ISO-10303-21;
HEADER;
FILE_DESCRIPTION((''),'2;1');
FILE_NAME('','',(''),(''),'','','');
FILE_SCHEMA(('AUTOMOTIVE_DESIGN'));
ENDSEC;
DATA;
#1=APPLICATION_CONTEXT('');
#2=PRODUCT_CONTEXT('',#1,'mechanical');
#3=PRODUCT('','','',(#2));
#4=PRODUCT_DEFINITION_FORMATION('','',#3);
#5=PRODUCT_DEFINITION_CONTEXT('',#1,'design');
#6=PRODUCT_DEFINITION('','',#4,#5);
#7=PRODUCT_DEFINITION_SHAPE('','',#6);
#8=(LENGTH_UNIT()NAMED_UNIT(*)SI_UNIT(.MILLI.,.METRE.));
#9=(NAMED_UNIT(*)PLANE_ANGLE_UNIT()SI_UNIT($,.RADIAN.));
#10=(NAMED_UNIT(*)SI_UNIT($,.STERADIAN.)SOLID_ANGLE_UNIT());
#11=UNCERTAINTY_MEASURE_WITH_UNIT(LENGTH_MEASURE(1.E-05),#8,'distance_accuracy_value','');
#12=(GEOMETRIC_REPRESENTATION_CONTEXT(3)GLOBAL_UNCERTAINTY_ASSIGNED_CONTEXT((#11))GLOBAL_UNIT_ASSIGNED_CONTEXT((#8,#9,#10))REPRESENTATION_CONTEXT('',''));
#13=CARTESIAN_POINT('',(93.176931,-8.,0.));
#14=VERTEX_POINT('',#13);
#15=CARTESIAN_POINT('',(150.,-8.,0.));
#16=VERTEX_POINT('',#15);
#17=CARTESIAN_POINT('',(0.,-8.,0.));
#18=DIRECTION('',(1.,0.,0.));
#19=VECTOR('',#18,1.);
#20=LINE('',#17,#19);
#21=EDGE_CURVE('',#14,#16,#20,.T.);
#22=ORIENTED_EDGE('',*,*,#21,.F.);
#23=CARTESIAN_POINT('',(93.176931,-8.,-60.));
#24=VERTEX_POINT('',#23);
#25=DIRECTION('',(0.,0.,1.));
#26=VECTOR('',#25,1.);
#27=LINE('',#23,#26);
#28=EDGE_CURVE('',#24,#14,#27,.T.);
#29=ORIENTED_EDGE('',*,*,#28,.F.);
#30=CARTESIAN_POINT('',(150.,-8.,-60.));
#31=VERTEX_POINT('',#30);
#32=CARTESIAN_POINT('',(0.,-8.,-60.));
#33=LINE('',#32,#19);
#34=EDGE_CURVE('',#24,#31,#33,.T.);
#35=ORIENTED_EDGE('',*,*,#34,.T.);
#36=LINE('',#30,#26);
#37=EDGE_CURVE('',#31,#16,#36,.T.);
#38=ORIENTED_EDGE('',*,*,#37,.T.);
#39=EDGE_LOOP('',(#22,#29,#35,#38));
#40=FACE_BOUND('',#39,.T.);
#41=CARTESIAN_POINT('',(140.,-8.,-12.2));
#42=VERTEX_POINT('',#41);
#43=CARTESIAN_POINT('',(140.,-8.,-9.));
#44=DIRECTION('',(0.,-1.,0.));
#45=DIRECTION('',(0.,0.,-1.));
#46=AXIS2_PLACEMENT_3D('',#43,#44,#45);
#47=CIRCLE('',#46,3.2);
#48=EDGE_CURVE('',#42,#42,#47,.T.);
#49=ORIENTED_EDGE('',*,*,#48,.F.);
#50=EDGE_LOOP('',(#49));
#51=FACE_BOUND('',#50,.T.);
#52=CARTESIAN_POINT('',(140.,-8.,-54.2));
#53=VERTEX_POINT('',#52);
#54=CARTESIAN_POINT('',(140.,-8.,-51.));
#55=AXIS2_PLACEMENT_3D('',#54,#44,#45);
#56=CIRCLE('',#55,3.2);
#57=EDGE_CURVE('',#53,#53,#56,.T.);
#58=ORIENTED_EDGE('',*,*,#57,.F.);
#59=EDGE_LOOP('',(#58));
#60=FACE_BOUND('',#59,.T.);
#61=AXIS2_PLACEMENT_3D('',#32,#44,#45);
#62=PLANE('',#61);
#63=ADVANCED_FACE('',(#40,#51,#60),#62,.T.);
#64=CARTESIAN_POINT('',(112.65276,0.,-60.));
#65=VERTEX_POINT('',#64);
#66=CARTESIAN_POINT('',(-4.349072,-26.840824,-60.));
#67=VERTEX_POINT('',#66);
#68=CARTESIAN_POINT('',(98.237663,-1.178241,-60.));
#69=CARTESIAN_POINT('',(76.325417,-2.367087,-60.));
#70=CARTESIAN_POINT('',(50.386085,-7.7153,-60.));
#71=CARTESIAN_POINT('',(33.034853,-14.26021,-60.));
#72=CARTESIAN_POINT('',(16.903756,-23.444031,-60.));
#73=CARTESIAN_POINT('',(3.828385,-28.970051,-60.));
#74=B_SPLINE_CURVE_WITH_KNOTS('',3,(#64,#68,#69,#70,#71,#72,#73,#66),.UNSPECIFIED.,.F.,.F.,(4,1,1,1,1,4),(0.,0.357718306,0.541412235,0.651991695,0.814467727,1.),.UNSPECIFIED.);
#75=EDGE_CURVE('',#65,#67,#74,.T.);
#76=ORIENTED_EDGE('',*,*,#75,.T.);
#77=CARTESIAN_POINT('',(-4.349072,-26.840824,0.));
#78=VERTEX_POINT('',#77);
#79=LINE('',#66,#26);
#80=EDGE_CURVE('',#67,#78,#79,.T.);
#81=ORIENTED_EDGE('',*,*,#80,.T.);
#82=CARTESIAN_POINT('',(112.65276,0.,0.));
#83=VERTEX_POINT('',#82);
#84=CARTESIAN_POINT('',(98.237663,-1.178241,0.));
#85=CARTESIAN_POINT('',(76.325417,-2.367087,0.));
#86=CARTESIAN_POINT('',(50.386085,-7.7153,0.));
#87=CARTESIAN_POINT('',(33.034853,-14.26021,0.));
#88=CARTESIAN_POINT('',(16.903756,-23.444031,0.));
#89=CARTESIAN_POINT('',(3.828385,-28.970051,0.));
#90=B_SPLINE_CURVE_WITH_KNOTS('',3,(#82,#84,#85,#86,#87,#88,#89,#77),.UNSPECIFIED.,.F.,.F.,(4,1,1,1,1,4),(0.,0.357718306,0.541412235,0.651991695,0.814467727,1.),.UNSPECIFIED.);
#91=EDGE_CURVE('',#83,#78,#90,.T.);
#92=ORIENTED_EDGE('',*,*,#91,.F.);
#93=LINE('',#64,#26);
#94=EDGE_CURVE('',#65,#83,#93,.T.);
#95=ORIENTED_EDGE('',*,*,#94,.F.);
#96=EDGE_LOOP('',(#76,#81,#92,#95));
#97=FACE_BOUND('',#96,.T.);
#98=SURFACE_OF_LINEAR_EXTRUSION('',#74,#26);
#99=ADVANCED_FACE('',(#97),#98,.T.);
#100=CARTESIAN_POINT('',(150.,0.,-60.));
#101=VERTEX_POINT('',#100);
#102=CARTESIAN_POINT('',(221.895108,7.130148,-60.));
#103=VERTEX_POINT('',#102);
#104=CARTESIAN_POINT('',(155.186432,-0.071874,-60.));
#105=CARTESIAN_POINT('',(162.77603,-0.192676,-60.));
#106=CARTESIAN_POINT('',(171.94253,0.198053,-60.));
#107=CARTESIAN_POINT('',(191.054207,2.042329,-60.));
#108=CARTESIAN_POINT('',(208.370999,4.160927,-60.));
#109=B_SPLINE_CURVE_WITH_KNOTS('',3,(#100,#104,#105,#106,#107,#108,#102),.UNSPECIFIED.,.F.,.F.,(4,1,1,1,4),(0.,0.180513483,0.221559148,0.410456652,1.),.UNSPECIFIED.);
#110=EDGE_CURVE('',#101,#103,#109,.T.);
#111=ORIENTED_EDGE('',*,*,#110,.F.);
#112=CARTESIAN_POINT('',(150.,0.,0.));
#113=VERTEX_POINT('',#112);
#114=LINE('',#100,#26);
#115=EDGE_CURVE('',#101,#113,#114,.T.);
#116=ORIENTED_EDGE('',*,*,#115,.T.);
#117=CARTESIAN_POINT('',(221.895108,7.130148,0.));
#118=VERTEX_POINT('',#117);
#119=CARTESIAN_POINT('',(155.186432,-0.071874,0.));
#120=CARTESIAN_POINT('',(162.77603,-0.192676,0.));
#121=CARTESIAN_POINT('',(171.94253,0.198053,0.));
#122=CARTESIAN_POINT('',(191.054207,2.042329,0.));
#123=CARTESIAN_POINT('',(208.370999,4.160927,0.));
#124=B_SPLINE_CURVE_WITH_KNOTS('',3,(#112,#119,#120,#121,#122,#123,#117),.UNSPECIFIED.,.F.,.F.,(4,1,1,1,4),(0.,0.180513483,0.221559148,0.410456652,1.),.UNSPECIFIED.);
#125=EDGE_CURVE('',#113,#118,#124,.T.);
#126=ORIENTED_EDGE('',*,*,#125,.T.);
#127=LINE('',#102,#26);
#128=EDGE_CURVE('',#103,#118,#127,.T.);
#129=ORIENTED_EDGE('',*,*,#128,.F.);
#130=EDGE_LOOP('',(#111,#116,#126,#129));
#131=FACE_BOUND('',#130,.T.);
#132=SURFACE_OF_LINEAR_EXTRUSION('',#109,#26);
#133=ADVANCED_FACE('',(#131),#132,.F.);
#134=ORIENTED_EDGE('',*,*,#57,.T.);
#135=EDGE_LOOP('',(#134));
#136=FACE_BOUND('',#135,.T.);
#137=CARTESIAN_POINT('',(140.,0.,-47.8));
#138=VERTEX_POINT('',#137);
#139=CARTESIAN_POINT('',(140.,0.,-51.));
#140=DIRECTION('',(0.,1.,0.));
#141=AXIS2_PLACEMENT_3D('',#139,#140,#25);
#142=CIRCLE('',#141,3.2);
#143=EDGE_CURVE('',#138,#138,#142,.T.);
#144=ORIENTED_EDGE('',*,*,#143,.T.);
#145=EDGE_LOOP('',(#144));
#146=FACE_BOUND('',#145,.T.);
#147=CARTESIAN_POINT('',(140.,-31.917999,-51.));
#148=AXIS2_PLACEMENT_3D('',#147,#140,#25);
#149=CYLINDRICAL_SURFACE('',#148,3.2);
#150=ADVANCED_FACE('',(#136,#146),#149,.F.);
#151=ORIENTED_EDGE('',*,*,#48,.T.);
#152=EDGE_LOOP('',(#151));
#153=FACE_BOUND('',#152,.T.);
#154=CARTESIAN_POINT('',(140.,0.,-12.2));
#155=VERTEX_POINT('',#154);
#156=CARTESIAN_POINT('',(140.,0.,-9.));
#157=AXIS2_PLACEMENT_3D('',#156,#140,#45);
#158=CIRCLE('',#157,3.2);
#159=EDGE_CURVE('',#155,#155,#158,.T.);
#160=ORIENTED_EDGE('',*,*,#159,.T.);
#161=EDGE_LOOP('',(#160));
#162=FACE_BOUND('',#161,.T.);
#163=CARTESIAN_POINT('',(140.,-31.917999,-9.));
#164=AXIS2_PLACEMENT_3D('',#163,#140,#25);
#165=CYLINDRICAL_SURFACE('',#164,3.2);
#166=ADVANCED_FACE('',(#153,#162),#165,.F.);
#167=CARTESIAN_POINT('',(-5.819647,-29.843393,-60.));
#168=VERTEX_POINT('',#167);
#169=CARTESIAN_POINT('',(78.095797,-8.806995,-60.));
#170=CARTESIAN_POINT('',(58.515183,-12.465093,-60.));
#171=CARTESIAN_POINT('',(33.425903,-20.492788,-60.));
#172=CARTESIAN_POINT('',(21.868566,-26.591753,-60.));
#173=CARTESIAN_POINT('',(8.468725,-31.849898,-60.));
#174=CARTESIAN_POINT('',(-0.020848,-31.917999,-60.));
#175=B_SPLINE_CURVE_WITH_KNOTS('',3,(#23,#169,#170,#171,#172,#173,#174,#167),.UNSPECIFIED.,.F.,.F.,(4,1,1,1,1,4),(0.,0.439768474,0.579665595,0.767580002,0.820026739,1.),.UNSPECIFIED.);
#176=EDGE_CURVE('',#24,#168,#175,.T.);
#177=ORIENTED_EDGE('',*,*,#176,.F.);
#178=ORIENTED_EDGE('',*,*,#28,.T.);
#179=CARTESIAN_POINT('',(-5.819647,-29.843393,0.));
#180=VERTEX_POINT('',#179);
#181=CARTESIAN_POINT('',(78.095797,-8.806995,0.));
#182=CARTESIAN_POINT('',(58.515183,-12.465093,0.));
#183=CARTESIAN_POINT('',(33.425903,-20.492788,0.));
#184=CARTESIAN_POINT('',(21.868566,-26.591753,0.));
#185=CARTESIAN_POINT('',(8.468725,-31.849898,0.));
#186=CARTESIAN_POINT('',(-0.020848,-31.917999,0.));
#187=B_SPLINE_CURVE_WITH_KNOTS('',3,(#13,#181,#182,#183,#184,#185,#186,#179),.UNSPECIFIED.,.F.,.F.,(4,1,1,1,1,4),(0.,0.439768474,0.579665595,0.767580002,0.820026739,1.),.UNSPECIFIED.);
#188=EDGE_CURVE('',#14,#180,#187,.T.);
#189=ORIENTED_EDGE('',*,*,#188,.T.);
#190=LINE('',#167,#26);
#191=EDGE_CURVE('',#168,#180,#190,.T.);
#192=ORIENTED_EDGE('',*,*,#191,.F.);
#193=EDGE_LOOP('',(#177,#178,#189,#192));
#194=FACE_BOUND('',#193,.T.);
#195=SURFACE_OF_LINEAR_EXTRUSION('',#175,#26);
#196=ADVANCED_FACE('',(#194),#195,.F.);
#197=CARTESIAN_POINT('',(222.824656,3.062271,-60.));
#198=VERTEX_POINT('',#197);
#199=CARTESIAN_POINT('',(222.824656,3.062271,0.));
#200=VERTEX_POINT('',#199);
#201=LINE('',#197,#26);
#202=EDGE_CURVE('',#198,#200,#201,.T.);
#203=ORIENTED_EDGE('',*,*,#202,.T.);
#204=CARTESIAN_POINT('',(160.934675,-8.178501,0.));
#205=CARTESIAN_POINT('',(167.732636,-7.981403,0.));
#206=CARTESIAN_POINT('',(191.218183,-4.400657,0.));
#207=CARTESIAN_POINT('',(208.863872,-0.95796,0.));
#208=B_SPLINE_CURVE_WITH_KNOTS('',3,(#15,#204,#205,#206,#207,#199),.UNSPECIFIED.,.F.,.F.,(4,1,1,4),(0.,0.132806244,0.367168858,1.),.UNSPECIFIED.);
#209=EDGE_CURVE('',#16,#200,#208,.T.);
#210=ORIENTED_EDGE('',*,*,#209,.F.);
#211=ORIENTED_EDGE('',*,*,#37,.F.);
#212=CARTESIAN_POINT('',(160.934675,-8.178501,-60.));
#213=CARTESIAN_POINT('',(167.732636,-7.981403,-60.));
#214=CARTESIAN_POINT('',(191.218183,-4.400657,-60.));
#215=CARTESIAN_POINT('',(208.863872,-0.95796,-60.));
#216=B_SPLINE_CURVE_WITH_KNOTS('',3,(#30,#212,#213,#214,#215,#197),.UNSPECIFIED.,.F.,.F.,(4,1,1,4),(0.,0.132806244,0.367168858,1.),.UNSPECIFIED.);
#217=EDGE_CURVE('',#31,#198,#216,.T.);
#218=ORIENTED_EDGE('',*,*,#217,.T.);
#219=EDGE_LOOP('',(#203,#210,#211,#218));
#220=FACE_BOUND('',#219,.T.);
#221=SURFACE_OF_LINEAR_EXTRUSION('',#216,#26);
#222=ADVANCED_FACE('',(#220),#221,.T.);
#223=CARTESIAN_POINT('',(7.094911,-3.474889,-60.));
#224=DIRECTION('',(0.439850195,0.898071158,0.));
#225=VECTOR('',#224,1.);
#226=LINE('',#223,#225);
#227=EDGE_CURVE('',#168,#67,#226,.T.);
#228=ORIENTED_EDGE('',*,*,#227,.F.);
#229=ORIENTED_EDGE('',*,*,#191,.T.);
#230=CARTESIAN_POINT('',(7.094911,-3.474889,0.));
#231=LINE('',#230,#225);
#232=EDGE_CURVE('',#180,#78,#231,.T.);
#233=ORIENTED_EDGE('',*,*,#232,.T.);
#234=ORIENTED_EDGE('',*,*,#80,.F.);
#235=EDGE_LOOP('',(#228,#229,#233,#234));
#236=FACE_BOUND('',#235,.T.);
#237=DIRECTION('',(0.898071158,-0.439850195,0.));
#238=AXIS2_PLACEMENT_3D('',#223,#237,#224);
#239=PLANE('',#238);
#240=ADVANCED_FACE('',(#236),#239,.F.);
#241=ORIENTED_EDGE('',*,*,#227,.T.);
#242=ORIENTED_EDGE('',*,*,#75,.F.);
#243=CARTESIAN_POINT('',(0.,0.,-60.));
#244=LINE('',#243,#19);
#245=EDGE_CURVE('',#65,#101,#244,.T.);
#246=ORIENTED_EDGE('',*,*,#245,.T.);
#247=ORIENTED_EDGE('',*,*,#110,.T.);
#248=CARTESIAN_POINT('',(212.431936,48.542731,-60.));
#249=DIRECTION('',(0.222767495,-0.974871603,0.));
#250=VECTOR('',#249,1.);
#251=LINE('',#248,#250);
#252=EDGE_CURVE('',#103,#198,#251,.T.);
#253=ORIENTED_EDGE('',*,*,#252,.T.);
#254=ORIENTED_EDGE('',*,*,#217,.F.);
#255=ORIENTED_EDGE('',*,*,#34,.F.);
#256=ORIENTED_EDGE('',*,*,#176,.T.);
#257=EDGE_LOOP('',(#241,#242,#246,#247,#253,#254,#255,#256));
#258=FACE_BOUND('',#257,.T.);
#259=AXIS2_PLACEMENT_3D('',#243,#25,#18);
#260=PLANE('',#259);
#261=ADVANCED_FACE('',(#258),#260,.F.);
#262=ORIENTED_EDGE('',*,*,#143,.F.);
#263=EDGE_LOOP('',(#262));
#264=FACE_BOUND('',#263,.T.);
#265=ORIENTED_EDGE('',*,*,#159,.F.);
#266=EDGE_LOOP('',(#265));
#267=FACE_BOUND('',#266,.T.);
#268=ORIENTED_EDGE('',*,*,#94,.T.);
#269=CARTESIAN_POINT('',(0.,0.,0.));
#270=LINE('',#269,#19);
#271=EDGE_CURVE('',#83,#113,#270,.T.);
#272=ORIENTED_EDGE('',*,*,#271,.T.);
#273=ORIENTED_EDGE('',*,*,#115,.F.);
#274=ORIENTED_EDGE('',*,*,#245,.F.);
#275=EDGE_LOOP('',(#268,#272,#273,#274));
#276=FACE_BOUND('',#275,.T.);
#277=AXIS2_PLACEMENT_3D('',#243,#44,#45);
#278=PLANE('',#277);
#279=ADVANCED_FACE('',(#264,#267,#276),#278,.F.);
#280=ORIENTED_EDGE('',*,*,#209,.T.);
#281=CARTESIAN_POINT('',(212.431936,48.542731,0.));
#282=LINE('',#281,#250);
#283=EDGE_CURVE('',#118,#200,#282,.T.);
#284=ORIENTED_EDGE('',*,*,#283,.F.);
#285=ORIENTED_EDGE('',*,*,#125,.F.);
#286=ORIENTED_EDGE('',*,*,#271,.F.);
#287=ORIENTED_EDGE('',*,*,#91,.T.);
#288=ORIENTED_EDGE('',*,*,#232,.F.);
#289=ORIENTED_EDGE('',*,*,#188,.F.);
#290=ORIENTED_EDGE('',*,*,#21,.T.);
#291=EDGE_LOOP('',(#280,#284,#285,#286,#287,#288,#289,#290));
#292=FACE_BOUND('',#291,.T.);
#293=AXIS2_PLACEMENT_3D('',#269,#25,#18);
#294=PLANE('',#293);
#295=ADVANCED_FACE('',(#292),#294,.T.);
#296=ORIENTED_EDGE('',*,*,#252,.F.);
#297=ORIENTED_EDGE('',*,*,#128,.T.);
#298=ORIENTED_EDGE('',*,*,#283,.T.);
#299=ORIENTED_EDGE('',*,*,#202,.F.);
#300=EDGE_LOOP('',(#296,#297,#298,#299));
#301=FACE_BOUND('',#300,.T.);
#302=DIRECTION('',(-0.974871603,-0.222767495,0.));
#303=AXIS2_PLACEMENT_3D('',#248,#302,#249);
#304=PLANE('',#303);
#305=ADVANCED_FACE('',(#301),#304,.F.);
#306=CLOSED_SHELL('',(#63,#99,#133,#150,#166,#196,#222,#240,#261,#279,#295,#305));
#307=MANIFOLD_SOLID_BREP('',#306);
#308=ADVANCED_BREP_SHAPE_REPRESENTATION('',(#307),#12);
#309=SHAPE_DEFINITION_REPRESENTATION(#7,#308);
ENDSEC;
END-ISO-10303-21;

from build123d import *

# Parameters (mm, degrees)
ESTRUSIONE_ESTRUSIONE1_DEPTH = 60
SCHIZZO2_R                   = 3.2
TAGLIO_ESTRUSIONE1_DEPTH     = 233.889820397


with BuildPart() as part:
    # Schizzo1 → Estrusione-Estrusione1 (new body)
    with BuildSketch(Plane.XY):
        with BuildLine():
            Line((150, 0), (112.652759777, 0))
            add(Edge.make_bspline(
                [(112.652759777, 0), (98.237662575, -1.178240864), (76.325416845, -2.367087178), (50.386085211, -7.715299834), (33.034853179, -14.26020997), (17.005808568, -23.385929695), (4.046336606, -28.877814003), (-3.966333357, -26.937004661)],
                knots=[0, 0, 0, 0, 0.357718306, 0.541412235, 0.651991695, 0.814467727, 0.997098774, 0.997098774, 0.997098774, 0.997098774], degree=3))
            add(Edge.make_bspline(
                [(-3.966333357, -26.937004661), (-4.093620386, -26.906173508), (-4.221198761, -26.874119155), (-4.34907219, -26.840823763)],
                knots=[0.997098774, 0.997098774, 0.997098774, 0.997098774, 1, 1, 1, 1], degree=3))
            Line((-4.34907219, -26.840823763), (-5.819646619, -29.843392582))
            add(Edge.make_bspline(
                [(93.176931163, -8), (78.095796931, -8.806994611), (58.515182539, -12.465092597), (33.425903267, -20.492787938), (21.868566108, -26.59175254), (8.46872535, -31.84989808), (-0.020847935, -31.917998972), (-5.819646619, -29.843392582)],
                knots=[0, 0, 0, 0, 0.439768474, 0.579665595, 0.767580002, 0.820026739, 1, 1, 1, 1], degree=3))
            Line((93.176931163, -8), (150, -8))
            add(Edge.make_bspline(
                [(150, -8), (160.934675431, -8.178500572), (167.732636416, -7.981403235), (191.218183044, -4.400657167), (208.863871924, -0.957960193), (222.824656402, 3.062271003)],
                knots=[0, 0, 0, 0, 0.132806244, 0.367168858, 1, 1, 1, 1], degree=3))
            Line((222.824656402, 3.062271003), (221.895107654, 7.130147587))
            add(Edge.make_bspline(
                [(150, 0), (155.186432149, -0.071874262), (162.776030143, -0.192676418), (171.94252973, 0.198053168), (191.054206551, 2.042329396), (208.370998681, 4.160926661), (221.895107654, 7.130147587)],
                knots=[0, 0, 0, 0, 0.180513483, 0.221559148, 0.410456652, 1, 1, 1, 1], degree=3))
        make_face()
    extrude(amount=-ESTRUSIONE_ESTRUSIONE1_DEPTH)

    # Schizzo2 → Taglio-Estrusione1 (cut, through all)
    with BuildSketch(Plane(origin=(0, 0, 0), x_dir=(1, 0, 0), z_dir=(0, 1, 0))):
        with Locations(Location((140, 51, 0), (0, 0, 270))):
            Circle(SCHIZZO2_R)
        with Locations(Location((140, 9, 0), (0, 0, 90))):
            Circle(SCHIZZO2_R)
    extrude(amount=-TAGLIO_ESTRUSIONE1_DEPTH, mode=Mode.SUBTRACT)


solid = part.part
